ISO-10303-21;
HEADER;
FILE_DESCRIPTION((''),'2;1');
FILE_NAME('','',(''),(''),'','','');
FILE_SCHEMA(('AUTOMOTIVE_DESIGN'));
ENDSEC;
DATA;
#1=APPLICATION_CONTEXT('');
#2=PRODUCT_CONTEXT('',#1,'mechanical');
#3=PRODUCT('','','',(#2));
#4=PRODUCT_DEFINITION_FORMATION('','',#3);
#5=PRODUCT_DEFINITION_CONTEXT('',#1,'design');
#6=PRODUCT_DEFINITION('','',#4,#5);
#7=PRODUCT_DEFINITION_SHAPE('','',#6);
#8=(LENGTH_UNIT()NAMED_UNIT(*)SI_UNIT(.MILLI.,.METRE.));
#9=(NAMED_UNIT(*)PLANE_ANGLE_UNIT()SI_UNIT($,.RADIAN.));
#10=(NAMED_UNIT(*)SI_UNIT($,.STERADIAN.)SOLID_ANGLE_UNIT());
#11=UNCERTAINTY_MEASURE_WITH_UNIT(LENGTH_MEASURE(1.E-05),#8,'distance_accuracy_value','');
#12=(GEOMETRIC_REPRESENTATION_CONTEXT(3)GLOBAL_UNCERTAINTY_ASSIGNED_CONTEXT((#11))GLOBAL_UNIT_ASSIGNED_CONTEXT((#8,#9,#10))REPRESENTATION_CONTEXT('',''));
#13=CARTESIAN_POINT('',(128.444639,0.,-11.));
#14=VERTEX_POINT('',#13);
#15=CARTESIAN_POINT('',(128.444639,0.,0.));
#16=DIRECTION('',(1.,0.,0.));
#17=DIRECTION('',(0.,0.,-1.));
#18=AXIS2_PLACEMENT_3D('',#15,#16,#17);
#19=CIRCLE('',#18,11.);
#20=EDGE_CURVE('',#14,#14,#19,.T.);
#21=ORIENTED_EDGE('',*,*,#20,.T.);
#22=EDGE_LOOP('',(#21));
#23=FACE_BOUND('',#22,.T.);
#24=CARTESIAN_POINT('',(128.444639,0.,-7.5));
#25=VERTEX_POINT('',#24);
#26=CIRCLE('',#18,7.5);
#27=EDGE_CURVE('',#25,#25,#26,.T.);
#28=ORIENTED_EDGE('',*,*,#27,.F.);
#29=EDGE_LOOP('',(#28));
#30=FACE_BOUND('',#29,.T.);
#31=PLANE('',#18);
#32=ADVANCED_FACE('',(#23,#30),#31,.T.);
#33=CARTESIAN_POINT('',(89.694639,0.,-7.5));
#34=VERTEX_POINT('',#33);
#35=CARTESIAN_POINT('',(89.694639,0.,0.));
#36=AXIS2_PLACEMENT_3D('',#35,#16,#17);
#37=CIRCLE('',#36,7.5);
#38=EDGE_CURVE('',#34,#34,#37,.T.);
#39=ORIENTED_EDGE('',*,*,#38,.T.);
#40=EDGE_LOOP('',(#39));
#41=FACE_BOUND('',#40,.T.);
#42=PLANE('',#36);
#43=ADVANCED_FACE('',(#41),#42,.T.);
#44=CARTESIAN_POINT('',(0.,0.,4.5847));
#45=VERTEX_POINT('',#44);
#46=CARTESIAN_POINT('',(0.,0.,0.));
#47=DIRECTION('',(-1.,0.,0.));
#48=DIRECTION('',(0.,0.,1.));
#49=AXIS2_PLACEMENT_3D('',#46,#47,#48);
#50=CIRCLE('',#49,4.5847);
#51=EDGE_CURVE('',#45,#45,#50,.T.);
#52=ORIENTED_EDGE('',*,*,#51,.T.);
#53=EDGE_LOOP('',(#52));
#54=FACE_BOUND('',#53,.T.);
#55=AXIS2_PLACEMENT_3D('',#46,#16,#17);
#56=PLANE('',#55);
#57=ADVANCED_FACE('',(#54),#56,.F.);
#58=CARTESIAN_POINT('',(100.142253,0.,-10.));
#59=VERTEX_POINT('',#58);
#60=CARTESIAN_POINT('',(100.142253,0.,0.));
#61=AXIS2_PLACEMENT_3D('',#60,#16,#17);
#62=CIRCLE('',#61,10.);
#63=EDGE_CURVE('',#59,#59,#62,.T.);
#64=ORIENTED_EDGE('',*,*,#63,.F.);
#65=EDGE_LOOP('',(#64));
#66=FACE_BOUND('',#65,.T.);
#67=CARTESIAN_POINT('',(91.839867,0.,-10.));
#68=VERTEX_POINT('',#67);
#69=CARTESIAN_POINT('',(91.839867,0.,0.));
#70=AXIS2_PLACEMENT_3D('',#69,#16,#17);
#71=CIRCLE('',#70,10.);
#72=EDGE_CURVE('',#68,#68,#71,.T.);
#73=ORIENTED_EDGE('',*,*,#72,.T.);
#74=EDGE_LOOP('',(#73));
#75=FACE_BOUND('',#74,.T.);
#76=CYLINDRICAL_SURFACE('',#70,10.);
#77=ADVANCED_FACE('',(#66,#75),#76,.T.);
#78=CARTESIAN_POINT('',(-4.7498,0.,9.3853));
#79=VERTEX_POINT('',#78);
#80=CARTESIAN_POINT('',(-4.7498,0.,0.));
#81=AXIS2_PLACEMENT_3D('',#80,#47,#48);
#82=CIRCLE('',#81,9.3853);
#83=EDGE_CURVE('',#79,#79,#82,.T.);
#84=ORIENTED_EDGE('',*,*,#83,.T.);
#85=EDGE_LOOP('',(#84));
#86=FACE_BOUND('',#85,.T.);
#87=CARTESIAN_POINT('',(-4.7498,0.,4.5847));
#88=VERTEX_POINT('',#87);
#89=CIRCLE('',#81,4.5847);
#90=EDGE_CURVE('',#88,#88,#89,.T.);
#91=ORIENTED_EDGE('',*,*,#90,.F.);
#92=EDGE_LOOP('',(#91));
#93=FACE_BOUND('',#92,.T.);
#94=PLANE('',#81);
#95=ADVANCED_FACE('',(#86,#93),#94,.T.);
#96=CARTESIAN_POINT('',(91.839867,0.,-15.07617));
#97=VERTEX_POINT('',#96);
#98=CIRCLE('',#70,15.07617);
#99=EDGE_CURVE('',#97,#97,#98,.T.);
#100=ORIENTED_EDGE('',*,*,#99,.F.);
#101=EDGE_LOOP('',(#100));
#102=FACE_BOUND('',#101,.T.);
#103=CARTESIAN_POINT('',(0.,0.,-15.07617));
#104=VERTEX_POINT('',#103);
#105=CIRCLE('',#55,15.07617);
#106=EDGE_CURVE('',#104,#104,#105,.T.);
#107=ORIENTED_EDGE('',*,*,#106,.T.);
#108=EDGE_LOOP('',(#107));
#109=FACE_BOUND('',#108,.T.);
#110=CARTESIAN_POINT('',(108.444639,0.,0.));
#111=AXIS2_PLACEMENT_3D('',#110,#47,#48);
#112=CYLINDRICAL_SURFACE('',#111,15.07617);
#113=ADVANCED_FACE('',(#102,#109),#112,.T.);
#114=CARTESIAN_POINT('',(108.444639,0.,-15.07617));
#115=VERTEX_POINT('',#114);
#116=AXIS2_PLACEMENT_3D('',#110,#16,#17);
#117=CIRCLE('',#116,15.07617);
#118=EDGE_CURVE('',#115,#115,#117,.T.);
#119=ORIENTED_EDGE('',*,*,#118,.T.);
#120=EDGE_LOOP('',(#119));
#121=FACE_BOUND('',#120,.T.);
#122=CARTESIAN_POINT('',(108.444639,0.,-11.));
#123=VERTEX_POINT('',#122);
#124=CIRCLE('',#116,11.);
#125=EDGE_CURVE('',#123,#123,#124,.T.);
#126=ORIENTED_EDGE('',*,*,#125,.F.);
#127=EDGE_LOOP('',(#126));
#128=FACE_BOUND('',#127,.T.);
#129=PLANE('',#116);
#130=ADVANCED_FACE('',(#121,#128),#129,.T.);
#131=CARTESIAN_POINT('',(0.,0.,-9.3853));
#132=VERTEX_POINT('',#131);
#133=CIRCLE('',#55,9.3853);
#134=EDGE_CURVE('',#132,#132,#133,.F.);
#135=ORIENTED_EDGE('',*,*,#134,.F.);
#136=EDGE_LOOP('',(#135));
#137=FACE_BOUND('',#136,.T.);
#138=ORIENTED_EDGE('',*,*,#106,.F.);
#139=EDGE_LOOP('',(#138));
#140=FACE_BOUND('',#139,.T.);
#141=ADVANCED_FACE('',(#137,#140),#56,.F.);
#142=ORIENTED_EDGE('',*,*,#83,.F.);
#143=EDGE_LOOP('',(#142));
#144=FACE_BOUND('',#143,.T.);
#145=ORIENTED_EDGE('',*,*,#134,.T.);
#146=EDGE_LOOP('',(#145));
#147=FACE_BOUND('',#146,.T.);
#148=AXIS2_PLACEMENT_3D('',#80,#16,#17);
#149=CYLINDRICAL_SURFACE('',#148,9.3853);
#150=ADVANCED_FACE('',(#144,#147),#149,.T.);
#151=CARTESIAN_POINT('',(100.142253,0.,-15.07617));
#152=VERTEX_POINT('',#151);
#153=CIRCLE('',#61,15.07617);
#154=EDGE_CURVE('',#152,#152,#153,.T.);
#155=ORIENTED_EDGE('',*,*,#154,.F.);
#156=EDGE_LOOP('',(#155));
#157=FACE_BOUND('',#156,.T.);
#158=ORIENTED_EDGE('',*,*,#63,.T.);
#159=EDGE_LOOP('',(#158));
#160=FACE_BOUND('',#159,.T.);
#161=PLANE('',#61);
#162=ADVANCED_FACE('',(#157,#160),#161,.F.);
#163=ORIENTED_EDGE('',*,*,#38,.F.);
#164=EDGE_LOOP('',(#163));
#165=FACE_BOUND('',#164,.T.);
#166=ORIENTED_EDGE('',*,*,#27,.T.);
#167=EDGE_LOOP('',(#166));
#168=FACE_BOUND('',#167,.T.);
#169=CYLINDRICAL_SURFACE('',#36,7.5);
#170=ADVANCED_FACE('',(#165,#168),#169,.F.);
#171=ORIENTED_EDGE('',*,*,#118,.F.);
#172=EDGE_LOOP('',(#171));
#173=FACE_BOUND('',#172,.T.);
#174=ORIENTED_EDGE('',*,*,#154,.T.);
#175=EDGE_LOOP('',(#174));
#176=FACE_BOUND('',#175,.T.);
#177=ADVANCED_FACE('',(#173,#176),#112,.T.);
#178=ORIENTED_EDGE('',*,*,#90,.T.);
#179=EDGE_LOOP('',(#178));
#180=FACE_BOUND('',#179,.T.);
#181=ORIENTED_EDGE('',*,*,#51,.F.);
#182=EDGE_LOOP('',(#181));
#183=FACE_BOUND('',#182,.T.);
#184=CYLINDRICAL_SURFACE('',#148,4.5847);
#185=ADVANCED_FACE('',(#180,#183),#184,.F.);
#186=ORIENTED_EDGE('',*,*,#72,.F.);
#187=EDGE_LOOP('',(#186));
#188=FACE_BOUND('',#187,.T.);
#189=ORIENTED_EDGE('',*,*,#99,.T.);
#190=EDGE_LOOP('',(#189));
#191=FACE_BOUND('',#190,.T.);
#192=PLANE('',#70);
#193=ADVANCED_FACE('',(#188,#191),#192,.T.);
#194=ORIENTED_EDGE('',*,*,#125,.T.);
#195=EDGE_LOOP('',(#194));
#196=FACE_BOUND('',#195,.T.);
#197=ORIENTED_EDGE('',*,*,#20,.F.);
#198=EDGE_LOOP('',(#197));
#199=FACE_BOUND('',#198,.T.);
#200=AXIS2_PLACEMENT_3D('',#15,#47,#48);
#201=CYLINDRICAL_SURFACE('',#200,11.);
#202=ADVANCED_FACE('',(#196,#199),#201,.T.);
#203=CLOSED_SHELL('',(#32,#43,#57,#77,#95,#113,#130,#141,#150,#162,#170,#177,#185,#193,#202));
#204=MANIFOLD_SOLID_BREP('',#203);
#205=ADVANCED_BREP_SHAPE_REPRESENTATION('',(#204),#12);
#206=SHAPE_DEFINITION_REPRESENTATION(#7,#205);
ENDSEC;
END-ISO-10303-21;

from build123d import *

# Parameters (mm, degrees)
SKETCH1_R           = 15.07617
BOSS_EXTRUDE1_DEPTH = 108.4446395
SKETCH2_R           = 9.3853
SKETCH2_R_2         = 4.5847
BOSS_EXTRUDE2_DEPTH = 4.7498
SKETCH3_R           = 7.5
CUT_EXTRUDE1_DEPTH  = 18.75
BOSS_EXTRUDE3_START = 20
SKETCH4_R           = 11
SKETCH4_R_2         = 7.5
BOSS_EXTRUDE3_DEPTH = 20
CUT_EXTRUDE4_START  = -8.3023864
SKETCH5_R           = 15.07617
SKETCH5_R_2         = 10
CUT_EXTRUDE4_DEPTH  = 8.3023864


with BuildPart() as part:
    # Sketch1 → Boss-Extrude1 (new body)
    with BuildSketch(Plane(origin=(0, 0, 0), x_dir=(0, 0, -1), z_dir=(1, 0, 0))):
        Circle(SKETCH1_R)
    extrude(amount=BOSS_EXTRUDE1_DEPTH)

    # Sketch2 → Boss-Extrude2 (add)
    with BuildSketch(Plane.ZY):
        with Locations(Location((0, 0, 0), (0, 0, 180))):
            Circle(SKETCH2_R)
        Circle(SKETCH2_R_2, mode=Mode.SUBTRACT)
    extrude(amount=BOSS_EXTRUDE2_DEPTH)

    # Sketch3 → Cut-Extrude1 (cut)
    with BuildSketch(Plane(origin=(108.4446395, 0, 0), x_dir=(0, 0, -1), z_dir=(1, 0, 0))):
        Circle(SKETCH3_R)
    extrude(amount=-CUT_EXTRUDE1_DEPTH, mode=Mode.SUBTRACT)

    # Sketch4 → Boss-Extrude3 (add)
    with BuildSketch(Plane(origin=(108.4446395, 0, 0), x_dir=(0, 0, -1), z_dir=(1, 0, 0)).offset(BOSS_EXTRUDE3_START)):
        Circle(SKETCH4_R)
        Circle(SKETCH4_R_2, mode=Mode.SUBTRACT)
    extrude(amount=-BOSS_EXTRUDE3_DEPTH)

    # Sketch5 → Cut-Extrude4 (cut)
    with BuildSketch(Plane(origin=(100.1422531, 0, 0), x_dir=(0, 0, -1), z_dir=(1, 0, 0)).offset(CUT_EXTRUDE4_START)):
        Circle(SKETCH5_R)
        Circle(SKETCH5_R_2, mode=Mode.SUBTRACT)
    extrude(amount=CUT_EXTRUDE4_DEPTH, mode=Mode.SUBTRACT)


solid = part.part
